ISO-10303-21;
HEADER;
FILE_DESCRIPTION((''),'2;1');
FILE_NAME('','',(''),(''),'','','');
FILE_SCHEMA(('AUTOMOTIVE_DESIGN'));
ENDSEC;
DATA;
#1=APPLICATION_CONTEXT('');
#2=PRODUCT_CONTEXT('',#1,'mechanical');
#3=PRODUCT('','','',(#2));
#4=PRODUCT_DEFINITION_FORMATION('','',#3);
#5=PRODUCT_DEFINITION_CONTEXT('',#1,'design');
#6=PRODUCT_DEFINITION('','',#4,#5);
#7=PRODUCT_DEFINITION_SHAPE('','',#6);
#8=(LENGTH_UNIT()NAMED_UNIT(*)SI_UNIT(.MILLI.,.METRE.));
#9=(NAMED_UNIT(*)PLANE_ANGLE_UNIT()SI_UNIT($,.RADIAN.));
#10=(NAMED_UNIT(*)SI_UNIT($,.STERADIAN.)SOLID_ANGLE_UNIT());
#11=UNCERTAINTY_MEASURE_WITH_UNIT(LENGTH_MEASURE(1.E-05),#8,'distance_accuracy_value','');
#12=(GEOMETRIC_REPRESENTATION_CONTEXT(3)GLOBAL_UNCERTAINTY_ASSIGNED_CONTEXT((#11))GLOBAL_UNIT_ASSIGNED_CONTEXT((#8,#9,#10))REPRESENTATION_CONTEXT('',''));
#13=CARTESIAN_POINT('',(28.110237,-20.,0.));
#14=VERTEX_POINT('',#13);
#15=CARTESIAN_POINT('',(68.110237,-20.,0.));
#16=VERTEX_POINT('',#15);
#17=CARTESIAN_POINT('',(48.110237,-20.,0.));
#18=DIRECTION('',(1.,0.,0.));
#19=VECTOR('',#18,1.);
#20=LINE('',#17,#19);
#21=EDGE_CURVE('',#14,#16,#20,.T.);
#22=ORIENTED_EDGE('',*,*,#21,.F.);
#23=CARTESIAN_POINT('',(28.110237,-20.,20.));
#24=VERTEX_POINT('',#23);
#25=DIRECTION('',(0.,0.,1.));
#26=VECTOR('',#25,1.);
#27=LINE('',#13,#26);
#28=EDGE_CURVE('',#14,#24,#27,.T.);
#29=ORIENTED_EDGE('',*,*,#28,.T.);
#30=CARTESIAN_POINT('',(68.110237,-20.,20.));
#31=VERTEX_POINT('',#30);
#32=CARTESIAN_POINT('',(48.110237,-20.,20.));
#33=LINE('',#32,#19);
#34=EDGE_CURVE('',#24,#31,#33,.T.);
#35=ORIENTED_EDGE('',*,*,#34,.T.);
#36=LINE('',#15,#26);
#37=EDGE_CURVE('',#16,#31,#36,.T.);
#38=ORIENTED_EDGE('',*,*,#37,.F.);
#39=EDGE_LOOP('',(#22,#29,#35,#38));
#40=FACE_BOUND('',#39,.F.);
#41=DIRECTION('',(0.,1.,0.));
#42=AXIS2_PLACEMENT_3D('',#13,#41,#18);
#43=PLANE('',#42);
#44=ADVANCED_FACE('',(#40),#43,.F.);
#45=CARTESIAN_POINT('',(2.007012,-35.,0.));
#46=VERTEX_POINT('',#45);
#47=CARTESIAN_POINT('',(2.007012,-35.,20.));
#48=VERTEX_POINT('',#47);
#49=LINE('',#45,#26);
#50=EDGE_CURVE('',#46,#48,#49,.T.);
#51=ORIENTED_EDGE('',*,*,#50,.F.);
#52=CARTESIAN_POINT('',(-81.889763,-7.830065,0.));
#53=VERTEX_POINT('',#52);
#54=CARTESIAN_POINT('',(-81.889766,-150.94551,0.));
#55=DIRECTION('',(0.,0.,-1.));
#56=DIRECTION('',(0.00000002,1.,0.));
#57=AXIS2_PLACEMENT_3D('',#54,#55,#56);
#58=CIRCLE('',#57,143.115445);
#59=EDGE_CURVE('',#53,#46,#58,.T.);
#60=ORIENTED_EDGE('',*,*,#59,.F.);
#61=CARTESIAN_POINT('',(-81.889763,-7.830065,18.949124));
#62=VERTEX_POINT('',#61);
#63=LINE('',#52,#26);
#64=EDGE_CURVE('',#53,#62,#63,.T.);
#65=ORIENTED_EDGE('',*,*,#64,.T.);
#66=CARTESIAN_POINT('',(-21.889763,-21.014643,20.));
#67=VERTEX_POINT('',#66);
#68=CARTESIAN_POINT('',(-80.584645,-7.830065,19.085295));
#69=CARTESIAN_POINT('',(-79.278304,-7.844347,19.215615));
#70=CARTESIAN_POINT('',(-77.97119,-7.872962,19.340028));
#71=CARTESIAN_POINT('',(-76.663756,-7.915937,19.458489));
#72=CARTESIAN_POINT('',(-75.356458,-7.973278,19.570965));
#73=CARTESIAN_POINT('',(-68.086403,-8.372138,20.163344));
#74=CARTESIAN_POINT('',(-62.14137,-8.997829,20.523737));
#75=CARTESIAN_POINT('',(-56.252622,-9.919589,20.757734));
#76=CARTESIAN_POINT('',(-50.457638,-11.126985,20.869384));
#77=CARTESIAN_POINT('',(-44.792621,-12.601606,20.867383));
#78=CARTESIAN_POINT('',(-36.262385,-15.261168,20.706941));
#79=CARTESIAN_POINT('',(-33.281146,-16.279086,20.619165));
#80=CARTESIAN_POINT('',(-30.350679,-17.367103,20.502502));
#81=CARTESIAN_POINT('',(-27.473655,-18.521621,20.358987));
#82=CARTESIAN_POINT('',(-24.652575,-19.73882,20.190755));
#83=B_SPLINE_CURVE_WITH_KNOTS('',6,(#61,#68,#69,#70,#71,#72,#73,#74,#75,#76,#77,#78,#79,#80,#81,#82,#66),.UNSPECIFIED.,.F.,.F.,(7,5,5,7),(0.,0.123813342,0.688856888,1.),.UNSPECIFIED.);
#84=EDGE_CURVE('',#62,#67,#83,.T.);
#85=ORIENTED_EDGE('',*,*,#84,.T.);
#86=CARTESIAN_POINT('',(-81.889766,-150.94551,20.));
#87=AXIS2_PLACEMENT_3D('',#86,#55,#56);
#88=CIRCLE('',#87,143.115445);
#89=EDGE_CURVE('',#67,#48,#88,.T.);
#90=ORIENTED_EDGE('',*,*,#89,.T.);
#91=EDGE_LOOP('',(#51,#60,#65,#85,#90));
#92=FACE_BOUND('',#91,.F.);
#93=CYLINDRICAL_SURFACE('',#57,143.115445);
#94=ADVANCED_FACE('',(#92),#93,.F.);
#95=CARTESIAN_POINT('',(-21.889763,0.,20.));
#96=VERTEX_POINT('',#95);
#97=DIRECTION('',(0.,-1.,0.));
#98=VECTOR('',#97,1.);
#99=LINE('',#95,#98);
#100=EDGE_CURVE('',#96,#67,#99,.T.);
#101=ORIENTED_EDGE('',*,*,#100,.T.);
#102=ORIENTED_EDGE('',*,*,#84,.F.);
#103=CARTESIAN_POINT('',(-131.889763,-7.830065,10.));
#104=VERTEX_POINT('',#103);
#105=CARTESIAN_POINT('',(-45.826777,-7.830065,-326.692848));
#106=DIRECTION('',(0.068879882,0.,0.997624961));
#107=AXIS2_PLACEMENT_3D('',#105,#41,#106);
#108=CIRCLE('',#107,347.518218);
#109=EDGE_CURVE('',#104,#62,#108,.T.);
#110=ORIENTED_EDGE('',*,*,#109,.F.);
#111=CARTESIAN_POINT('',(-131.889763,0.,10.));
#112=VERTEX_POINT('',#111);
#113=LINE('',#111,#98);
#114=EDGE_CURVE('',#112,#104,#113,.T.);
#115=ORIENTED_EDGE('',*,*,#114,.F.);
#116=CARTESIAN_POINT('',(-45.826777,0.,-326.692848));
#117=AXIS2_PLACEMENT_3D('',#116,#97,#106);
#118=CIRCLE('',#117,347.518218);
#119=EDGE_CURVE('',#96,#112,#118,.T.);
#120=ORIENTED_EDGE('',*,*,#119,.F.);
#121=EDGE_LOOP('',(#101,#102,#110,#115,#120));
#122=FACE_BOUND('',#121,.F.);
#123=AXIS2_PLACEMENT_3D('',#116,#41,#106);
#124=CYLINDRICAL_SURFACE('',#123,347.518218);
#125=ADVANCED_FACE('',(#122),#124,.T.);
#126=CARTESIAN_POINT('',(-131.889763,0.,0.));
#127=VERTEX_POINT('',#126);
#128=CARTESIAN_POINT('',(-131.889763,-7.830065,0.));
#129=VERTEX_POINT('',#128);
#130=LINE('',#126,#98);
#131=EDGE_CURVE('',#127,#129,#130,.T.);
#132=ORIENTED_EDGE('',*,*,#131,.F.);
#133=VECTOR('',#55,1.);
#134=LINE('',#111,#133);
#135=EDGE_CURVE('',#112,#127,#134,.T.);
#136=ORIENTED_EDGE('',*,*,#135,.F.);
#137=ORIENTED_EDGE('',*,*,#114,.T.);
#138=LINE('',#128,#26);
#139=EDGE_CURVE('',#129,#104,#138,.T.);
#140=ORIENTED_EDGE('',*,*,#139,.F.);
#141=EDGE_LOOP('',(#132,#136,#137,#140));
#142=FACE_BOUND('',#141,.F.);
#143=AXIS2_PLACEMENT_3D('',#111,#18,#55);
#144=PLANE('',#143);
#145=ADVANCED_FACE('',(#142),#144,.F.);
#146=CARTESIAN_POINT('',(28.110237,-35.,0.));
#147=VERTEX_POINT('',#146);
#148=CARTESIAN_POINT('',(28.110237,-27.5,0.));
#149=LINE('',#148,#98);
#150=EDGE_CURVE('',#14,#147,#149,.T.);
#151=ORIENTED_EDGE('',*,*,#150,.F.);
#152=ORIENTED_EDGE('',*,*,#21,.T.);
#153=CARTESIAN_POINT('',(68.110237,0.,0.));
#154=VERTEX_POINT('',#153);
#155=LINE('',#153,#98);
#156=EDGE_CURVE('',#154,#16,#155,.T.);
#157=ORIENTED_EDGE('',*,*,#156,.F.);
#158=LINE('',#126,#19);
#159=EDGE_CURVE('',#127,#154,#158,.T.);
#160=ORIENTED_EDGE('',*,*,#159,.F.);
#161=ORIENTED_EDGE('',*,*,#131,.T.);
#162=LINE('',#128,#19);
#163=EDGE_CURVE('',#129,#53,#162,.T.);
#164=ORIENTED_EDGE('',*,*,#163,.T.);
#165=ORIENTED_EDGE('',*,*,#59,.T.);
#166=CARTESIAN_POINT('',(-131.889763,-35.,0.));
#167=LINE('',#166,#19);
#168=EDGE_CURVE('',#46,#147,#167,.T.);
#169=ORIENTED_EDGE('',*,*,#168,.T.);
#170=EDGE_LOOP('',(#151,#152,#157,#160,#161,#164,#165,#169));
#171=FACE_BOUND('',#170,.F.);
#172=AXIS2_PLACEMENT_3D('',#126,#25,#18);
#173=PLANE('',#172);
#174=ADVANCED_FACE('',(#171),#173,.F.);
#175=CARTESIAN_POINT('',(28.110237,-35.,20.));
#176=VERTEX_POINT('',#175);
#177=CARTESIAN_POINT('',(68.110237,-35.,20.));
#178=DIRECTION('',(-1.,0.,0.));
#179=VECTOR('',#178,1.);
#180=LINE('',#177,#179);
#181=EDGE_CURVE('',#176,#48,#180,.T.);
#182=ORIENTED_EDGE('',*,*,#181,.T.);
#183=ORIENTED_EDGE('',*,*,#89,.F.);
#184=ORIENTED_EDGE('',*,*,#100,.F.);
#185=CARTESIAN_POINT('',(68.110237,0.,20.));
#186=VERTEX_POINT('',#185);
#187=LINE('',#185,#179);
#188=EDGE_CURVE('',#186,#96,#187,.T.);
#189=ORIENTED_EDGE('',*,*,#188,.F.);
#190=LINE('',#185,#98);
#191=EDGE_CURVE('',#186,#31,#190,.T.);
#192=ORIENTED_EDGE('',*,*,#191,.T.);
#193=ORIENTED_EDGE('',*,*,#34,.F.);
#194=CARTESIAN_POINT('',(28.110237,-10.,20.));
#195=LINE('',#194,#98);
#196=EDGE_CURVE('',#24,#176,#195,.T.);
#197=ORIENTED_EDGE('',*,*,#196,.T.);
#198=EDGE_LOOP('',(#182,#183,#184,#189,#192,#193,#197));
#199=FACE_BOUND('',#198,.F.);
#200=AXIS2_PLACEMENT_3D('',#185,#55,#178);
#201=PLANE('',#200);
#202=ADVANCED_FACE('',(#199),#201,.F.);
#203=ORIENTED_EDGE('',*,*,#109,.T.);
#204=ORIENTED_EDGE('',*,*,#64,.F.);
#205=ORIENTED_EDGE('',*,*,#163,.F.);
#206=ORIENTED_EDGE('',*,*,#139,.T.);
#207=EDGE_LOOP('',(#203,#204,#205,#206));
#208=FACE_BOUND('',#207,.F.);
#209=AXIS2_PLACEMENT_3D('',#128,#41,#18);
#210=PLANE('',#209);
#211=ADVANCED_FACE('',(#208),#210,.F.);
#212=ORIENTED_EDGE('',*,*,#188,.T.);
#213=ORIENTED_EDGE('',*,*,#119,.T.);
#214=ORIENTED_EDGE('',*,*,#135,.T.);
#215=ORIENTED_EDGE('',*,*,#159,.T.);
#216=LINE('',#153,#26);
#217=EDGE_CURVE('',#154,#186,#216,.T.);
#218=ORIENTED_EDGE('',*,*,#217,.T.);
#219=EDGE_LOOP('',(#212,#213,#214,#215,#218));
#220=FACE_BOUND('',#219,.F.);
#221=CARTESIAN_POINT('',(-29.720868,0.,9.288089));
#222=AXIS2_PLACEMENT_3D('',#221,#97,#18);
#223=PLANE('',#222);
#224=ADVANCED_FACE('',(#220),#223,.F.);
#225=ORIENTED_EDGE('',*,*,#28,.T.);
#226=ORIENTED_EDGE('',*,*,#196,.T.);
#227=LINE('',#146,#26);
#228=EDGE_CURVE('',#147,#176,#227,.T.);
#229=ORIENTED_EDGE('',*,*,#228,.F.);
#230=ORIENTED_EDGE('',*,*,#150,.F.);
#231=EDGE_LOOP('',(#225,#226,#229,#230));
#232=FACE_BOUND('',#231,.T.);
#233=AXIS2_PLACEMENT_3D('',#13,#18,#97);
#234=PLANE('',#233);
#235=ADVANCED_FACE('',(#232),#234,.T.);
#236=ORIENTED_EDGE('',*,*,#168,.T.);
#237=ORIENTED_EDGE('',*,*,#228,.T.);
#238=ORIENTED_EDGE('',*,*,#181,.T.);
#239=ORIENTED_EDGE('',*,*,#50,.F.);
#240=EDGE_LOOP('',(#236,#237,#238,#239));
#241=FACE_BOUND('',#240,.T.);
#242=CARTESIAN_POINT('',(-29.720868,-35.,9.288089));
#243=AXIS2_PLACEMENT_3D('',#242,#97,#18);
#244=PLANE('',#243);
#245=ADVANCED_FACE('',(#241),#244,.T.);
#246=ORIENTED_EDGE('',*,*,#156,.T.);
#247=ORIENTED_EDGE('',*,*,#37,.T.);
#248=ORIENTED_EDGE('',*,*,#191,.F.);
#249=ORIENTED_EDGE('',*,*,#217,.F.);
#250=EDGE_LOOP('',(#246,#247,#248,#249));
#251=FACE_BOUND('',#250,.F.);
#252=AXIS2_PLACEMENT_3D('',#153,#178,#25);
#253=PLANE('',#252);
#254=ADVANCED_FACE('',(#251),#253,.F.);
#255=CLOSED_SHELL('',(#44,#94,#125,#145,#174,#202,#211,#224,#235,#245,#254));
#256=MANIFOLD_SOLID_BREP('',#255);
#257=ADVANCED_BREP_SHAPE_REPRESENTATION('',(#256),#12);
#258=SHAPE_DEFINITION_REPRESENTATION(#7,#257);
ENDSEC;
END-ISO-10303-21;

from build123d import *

# Parameters (mm, degrees)
F1_DEPTH = 35
F2_W     = 40
F2_H     = 15
F3_DEPTH = 31.1


with BuildPart() as f1:
    # F0 (on Front) → F1 (new body)
    with BuildSketch(Plane.XZ):
        with BuildLine():
            Line((-131.889763, 0), (68.110237, 0))
            Line((68.110237, 0), (68.110237, 20))
            Line((68.110237, 20), (-21.889763, 20))
            ThreePointArc((-21.889763, 20), (-77.289597, 19.398184), (-131.889763, 10))
            Line((-131.889763, 10), (-131.889763, 0))
        make_face()
    extrude(amount=F1_DEPTH)

    # F2 (on face) → F3 (cut)
    with BuildSketch(Plane(origin=(0, 0, 0), x_dir=(1, 0, 0), z_dir=(0, 0, -1))):
        with BuildLine():
            Line((-131.889763, 35), (-131.889763, 7.830065))
            Line((-131.889763, 7.830065), (-81.889763, 7.830065))
            ThreePointArc((-81.889763, 7.830065), (-37.796469, 14.791877), (2.007012, 35))
            Line((2.007012, 35), (-131.889763, 35))
        make_face()
        with Locations((48.110237, 27.5)):
            Rectangle(F2_W, F2_H)
    extrude(amount=-F3_DEPTH, mode=Mode.SUBTRACT)


solid = f1.part
